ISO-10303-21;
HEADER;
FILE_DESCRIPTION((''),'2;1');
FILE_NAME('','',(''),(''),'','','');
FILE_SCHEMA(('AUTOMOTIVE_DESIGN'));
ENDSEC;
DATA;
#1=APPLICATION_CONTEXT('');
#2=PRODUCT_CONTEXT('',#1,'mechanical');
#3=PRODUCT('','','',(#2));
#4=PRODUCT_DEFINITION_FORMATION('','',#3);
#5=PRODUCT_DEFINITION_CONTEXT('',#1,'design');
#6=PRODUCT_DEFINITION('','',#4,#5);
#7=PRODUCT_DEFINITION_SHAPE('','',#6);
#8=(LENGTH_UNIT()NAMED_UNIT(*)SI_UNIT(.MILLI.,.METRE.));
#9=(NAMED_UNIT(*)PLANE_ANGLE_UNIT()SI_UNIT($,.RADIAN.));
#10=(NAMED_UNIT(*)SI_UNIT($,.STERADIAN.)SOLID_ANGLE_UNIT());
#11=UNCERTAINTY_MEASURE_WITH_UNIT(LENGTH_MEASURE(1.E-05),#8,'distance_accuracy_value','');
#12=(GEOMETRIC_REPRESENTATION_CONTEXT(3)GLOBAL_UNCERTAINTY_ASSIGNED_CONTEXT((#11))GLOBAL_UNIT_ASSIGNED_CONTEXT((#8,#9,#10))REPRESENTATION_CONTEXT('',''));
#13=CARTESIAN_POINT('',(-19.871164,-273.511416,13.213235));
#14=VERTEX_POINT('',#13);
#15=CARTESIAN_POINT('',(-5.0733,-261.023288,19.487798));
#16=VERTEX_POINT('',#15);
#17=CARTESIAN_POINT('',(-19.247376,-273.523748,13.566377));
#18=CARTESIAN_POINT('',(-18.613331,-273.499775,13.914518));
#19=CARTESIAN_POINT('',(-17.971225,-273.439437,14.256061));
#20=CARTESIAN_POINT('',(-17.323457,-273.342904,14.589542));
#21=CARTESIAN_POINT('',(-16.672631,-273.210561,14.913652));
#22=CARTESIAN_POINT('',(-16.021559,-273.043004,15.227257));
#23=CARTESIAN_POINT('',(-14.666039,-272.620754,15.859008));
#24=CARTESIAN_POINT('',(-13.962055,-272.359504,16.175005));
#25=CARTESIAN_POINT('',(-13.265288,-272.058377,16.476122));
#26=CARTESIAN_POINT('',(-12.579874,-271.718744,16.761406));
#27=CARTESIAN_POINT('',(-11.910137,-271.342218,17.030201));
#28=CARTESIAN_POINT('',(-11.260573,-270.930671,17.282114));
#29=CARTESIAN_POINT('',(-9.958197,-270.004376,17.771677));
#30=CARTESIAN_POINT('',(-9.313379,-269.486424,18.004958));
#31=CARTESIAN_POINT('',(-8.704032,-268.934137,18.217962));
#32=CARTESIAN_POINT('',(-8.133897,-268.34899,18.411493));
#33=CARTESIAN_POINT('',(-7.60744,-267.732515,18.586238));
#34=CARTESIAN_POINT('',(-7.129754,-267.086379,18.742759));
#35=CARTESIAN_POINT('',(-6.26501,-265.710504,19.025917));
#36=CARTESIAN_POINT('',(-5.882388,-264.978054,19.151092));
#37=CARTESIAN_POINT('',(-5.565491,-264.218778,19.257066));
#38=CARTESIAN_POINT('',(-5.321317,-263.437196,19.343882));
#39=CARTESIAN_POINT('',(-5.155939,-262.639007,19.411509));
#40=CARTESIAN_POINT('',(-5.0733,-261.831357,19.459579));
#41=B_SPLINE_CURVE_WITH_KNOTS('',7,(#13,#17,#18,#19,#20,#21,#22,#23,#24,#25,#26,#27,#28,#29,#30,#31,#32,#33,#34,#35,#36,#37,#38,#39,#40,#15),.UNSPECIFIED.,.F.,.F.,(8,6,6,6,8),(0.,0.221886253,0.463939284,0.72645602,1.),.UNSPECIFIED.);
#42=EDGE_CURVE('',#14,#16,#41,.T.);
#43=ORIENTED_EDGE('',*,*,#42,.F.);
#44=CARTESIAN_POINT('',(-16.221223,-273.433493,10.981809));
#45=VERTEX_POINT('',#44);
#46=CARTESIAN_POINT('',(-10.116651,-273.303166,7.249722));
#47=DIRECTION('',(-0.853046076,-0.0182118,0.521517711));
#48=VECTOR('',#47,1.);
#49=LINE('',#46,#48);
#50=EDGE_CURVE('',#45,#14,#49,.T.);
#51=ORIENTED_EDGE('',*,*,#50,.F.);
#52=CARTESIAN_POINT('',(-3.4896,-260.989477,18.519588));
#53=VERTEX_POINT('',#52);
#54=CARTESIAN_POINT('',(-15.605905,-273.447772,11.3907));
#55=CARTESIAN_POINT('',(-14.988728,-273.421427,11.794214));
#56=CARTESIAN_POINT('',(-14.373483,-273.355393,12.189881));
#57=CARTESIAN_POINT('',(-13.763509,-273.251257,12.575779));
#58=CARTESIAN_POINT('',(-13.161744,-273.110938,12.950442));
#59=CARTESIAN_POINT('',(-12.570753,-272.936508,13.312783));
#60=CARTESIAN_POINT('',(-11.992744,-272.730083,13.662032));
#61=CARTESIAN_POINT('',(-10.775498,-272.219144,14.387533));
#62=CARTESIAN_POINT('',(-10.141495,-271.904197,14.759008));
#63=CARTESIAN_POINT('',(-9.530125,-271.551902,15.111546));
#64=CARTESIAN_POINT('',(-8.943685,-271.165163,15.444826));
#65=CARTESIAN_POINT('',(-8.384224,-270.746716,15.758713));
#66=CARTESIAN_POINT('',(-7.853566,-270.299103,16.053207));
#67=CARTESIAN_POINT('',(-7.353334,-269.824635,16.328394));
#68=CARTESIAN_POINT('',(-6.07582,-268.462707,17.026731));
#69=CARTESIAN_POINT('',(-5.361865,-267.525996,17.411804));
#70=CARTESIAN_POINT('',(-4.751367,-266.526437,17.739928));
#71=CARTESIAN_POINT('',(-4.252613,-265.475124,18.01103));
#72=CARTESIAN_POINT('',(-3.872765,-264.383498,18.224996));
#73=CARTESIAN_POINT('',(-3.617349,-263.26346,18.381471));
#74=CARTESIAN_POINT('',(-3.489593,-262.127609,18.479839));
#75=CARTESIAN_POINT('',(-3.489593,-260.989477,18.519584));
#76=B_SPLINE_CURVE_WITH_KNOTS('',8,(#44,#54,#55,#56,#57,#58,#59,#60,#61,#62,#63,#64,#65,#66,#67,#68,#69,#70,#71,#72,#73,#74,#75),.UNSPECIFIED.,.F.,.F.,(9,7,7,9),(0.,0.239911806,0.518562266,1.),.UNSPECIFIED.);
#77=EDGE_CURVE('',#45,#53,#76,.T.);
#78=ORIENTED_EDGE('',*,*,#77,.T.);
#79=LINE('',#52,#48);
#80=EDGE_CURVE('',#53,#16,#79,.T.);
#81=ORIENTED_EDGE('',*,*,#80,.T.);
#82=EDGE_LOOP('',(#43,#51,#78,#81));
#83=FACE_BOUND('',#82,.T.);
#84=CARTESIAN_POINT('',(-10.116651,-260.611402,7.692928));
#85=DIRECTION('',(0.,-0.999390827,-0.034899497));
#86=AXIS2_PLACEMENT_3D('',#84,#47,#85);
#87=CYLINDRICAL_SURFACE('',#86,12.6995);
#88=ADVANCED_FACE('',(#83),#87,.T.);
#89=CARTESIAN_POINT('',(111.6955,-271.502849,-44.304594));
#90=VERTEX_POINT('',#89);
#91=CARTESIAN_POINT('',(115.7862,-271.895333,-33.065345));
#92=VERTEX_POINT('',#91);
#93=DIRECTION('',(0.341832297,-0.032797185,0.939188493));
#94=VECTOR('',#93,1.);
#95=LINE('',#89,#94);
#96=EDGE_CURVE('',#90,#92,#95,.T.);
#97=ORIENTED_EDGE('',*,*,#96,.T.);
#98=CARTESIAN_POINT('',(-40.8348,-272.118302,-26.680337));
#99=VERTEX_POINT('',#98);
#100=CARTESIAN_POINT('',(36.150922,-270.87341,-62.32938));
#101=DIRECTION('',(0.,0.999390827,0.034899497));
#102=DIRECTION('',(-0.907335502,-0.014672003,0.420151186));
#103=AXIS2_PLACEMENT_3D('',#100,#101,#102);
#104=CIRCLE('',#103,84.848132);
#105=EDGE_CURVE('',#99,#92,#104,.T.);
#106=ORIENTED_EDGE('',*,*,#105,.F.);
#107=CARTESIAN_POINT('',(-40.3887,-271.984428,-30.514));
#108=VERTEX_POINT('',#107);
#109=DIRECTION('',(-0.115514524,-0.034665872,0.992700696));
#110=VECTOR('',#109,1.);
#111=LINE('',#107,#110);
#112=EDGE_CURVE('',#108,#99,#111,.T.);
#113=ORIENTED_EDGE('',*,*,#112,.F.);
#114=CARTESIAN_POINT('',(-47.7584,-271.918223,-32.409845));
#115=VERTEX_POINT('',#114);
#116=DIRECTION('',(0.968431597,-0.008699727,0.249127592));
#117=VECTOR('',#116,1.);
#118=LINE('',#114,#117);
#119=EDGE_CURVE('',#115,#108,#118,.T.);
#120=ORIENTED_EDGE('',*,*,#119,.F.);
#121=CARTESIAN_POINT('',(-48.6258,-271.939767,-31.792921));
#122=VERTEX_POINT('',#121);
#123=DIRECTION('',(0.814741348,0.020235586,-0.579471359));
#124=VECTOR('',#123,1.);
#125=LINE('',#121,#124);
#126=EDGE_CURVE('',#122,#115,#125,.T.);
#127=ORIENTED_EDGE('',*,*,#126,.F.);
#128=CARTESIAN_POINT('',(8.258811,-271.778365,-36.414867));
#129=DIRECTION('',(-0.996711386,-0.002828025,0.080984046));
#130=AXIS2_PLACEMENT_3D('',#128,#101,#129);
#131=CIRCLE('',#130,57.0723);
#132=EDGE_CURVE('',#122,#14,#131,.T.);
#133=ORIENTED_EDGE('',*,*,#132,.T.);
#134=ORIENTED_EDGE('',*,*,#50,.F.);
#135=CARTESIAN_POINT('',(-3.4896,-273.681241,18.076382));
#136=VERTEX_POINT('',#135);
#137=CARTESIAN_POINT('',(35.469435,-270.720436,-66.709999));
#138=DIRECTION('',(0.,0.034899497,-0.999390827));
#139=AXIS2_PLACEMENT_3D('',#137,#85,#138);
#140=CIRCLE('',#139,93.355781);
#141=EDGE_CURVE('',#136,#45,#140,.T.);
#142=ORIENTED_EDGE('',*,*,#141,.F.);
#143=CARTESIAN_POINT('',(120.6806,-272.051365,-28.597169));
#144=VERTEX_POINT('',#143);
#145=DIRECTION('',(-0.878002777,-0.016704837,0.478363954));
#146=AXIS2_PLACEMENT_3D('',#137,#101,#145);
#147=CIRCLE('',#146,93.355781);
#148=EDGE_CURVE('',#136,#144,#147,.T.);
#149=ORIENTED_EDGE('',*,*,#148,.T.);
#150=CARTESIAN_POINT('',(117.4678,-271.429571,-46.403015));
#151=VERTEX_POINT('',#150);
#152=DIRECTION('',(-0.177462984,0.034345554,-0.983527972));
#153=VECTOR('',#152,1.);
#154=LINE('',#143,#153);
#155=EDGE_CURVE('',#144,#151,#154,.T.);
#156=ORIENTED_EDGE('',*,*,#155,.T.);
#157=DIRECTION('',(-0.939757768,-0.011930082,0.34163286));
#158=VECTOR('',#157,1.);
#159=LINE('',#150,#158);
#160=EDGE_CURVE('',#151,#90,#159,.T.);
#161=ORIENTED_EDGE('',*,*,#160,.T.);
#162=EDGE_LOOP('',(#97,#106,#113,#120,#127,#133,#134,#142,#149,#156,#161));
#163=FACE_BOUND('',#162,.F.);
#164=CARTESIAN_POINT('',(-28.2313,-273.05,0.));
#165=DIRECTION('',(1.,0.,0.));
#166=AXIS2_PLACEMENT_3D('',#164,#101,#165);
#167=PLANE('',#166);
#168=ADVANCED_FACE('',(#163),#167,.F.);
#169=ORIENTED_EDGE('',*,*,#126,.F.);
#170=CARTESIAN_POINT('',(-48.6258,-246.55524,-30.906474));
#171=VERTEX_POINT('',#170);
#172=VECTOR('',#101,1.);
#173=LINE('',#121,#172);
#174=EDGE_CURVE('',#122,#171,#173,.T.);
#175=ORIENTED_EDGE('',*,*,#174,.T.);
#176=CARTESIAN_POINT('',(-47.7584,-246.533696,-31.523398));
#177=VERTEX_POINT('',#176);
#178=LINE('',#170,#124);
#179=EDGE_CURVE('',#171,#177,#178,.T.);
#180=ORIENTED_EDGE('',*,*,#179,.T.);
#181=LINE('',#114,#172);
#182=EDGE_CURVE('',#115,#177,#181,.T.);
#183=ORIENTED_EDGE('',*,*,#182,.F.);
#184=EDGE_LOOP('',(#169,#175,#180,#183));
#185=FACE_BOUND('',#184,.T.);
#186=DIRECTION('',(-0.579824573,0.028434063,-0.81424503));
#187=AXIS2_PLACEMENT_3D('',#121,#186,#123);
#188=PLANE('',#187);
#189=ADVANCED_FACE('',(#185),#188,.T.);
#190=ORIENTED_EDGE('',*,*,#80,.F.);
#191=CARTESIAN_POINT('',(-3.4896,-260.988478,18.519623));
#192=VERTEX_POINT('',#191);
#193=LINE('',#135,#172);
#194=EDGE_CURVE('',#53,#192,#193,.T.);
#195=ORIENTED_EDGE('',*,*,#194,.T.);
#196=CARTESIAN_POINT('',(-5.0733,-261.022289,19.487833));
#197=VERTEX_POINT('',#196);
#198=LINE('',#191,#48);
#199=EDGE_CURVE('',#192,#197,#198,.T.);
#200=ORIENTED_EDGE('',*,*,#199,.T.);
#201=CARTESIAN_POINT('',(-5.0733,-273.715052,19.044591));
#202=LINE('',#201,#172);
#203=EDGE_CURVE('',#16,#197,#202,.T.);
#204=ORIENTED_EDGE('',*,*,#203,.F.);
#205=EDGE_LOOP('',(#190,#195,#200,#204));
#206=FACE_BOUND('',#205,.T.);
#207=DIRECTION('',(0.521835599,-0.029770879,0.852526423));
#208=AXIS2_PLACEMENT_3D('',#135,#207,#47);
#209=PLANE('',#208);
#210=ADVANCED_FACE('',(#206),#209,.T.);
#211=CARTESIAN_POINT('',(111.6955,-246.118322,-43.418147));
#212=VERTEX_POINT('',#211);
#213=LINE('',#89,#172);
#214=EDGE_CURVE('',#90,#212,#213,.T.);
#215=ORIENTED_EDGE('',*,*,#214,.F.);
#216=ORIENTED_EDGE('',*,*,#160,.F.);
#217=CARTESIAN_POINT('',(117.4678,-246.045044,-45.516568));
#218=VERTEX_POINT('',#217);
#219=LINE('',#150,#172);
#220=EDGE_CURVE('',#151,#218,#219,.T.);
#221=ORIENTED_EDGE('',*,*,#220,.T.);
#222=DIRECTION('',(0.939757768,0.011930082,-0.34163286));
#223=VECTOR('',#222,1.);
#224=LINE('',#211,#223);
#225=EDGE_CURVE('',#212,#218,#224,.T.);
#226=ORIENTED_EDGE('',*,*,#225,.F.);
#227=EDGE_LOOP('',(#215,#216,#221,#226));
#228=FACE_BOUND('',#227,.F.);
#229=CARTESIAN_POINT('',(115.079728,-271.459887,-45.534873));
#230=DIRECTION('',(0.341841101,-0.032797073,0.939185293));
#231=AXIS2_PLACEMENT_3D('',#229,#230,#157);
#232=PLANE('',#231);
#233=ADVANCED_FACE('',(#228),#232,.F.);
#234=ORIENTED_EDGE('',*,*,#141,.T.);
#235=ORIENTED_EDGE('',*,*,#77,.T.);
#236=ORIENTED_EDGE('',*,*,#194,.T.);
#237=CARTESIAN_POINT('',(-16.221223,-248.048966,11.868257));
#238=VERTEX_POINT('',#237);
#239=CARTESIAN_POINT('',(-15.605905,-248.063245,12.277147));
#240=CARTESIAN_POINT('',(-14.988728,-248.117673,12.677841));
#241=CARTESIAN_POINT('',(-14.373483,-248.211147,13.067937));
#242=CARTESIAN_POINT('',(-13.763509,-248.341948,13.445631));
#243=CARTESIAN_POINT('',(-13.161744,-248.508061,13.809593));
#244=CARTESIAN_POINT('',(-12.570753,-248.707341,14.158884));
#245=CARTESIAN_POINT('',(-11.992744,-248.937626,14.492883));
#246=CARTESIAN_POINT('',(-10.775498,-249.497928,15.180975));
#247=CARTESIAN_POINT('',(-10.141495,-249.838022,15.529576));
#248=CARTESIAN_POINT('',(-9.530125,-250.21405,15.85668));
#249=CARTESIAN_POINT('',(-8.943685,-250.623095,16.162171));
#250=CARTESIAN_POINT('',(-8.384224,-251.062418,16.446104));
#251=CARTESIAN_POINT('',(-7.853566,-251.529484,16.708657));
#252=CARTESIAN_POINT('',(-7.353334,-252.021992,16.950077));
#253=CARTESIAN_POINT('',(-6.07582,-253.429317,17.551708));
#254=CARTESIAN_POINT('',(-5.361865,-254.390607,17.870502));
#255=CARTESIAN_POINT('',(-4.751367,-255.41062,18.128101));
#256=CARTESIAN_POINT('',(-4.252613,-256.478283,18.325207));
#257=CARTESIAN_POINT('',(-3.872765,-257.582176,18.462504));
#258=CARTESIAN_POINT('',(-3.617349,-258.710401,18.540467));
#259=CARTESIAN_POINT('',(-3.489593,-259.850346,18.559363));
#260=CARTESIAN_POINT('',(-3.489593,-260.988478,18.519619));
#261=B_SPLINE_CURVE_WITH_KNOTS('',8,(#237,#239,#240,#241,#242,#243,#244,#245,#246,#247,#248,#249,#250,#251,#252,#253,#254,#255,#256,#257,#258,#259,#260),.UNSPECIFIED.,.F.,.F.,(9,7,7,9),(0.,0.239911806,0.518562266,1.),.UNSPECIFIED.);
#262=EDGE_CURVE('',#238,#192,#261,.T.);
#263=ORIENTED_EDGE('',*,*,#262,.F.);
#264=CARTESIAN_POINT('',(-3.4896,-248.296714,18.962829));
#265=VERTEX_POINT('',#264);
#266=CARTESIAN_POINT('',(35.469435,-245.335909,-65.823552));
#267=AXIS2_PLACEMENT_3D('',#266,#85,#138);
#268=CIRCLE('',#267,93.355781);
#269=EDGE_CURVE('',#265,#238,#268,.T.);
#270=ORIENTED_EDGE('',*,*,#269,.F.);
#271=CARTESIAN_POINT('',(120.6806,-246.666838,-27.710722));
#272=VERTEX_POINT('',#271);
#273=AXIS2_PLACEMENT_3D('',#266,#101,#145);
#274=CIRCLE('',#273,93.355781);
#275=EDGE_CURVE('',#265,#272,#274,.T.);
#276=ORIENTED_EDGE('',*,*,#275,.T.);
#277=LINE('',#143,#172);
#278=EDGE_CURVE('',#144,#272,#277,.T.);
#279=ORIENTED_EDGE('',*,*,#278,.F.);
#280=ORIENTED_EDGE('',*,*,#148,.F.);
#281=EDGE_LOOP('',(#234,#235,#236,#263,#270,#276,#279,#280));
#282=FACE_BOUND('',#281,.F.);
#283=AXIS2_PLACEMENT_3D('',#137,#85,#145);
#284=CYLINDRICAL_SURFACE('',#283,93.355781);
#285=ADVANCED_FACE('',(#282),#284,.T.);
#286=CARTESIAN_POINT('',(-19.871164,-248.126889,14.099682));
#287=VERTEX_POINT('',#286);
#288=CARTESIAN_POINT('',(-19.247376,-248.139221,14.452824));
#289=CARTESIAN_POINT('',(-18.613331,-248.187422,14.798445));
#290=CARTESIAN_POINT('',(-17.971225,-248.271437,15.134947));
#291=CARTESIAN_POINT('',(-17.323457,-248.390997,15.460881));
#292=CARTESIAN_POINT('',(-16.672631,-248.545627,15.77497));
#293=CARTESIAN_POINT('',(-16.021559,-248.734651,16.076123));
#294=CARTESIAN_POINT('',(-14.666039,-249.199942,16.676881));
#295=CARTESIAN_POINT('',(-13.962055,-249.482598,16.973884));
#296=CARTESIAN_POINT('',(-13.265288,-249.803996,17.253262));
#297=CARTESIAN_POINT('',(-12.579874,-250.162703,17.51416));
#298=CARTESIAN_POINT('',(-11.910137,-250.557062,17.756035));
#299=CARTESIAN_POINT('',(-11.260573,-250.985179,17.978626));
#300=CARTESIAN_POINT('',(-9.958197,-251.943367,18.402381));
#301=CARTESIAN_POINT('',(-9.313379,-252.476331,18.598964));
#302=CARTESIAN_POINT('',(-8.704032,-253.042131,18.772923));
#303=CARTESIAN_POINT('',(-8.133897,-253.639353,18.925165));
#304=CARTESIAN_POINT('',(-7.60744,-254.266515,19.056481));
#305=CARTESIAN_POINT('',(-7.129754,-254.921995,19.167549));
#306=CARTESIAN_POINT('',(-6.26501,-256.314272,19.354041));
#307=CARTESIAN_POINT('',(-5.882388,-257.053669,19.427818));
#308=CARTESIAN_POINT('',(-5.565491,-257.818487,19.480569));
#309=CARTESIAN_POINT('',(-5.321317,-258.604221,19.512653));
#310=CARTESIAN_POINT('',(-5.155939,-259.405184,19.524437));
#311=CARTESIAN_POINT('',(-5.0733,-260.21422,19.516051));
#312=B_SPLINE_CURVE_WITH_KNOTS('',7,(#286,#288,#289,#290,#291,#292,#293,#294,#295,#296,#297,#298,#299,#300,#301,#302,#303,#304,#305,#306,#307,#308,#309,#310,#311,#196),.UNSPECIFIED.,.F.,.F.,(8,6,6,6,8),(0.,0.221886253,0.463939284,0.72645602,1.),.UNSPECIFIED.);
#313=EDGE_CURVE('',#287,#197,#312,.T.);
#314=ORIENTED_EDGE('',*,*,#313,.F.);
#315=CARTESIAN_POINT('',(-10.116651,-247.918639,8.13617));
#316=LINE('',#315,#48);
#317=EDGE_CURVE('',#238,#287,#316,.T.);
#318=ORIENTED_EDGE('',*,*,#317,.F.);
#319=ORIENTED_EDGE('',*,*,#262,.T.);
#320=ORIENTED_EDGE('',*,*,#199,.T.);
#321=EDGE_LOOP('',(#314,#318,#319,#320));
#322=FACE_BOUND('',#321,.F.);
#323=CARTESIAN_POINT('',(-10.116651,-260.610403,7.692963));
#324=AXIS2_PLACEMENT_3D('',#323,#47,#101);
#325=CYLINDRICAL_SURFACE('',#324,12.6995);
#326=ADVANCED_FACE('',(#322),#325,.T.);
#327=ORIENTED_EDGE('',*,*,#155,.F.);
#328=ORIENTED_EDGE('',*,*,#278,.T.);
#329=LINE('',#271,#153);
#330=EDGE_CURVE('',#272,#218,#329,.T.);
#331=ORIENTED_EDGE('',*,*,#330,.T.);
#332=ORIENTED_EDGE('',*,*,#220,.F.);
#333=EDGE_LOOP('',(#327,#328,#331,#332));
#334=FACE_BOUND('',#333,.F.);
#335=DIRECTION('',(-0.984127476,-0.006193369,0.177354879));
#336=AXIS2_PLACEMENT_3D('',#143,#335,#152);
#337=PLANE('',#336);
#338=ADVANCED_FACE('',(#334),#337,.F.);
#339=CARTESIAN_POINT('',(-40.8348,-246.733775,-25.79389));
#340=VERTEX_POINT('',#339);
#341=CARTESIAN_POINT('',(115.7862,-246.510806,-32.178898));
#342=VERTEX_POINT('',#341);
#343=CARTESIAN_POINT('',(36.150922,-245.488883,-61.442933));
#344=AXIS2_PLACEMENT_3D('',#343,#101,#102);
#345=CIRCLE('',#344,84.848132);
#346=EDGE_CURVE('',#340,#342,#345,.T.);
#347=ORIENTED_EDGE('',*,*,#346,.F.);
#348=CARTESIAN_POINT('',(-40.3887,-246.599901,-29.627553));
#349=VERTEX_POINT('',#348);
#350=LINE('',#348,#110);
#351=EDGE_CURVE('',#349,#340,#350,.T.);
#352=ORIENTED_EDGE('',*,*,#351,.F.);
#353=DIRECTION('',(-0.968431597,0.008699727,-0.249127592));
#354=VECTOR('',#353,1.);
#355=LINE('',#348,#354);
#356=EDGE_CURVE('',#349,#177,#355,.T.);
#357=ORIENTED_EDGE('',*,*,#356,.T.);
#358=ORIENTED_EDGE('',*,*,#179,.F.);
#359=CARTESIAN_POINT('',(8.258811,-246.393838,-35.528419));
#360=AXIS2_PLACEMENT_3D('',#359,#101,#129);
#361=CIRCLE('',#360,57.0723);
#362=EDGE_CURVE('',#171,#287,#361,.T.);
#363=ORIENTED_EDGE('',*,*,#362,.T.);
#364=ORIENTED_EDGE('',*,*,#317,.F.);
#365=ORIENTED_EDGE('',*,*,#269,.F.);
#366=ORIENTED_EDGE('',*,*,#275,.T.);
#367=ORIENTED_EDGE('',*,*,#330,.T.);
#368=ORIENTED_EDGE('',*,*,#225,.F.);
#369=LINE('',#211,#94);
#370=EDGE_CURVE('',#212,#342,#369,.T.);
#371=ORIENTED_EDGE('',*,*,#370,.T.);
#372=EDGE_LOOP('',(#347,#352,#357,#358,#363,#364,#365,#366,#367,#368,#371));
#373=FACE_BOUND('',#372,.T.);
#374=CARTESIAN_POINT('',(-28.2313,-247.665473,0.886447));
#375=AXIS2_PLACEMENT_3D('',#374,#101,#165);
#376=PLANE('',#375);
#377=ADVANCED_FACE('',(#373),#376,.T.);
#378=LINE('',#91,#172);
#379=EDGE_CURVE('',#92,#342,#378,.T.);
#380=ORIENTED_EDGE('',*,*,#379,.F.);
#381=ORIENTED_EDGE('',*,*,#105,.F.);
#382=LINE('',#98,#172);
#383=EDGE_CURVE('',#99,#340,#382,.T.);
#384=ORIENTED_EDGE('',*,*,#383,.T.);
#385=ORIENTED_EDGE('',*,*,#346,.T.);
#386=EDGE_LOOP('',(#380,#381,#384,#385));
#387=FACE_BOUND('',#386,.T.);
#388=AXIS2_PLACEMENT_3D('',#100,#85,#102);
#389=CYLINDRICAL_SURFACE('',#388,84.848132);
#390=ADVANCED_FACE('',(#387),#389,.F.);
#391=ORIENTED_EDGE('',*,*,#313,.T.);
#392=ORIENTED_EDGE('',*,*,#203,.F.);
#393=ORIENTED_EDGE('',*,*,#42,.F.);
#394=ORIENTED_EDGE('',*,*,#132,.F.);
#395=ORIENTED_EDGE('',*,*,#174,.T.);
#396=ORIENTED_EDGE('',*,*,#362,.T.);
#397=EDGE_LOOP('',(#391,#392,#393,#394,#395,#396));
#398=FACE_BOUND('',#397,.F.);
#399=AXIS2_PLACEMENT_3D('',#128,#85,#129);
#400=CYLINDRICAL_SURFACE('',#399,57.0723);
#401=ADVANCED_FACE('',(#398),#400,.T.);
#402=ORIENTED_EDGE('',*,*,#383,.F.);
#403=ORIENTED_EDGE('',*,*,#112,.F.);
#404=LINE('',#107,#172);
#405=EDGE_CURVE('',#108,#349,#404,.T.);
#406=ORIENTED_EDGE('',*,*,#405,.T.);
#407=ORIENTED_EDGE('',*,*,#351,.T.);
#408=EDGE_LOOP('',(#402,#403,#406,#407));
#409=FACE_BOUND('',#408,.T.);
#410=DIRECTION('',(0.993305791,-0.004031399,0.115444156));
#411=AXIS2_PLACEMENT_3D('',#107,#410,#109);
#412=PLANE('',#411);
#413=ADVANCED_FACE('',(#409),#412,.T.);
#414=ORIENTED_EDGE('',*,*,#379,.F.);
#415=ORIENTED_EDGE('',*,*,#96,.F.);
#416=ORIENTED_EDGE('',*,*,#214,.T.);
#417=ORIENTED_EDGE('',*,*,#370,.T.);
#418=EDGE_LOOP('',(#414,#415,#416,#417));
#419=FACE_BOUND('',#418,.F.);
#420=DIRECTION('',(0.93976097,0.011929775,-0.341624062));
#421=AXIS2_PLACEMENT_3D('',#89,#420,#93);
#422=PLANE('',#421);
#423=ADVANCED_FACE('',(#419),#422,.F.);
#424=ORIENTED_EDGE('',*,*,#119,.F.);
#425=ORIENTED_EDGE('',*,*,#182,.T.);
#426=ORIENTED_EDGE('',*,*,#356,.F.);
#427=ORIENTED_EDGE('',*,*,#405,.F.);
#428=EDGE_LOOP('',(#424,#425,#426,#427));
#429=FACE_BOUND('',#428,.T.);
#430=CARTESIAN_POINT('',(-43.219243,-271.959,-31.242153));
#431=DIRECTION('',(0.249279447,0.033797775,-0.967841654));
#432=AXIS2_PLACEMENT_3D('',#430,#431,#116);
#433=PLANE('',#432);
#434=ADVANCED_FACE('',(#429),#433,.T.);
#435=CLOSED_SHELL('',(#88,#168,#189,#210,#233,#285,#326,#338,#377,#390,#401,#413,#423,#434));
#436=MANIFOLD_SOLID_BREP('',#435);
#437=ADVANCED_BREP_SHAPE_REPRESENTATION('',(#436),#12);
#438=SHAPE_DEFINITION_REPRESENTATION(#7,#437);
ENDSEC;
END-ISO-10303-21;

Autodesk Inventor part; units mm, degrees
ref_plane "YZ Plane" through (0, 0, 0) normal (1, 0, 0) x (0, 1, 0)
ref_plane "XY Plane" through (0, 0, 0) normal (0, 0, 1) x (1, 0, 0)
ref_plane "Work Plane1" through (0, -273.05, 0) normal (0, 1, 0) x (-1, 0, 0)
sketch "Sketch1" plane through (0, -273.05, 0) normal (0, 1, 0) x (-1, 0, 0)
  line L0 (28.2313, 0) -> (-81.8149, 0)
  point P0 (0, 0)
ref_plane "Work Plane2" through (-28.2313, -273.05, 0) normal (0, 0.9994, 0.0349) x (1, 0, 0)
sketch "Sketch2" plane through (-28.2313, -273.05, 0) normal (0, 0.9994, 0.0349) x (1, 0, 0)
  ellipse E0 centre (142.9444, 40.4167) end of major axis (127.2199, 83.6456) minor radius 0.5491 (135.3201, 59.9472) -> (144.2427, 35.2519) ccw projected
  ellipse E1 centre (145.4346, 41.3225) end of major axis (129.7101, 84.5514) minor radius 0.5491 (137.8103, 60.853) -> (146.7329, 36.1577) ccw projected
  line L0 (144.2427, 35.2519) -> (146.7329, 36.1577) projected
  ellipse E2 centre (-15.3961, 31.7454) end of major axis (-31.1205, -11.4836) minor radius 0.5491 (-17.0369, 25.6432) -> (-8.0746, 50.4278) ccw projected
  line L1 (-17.0369, 25.6432) -> (-19.5271, 26.549) projected
  ellipse E3 centre (-17.8862, 32.6512) end of major axis (-33.6107, -10.5778) minor radius 0.5491 (-19.5271, 26.549) -> (-10.5647, 51.3336) ccw projected
  line L2 (-19.5271, 32.4296) -> (-18.2659, 22.0654)
  arc A0 (-18.2659, 22.0654) -> (148.9119, 28.6146) centre (63.7007, 66.7506) ccw
  line L3 (148.9119, 28.6146) -> (145.6991, 46.4313)
  line L4 (145.6991, 46.4313) -> (139.9268, 44.3316)
  line L5 (139.9268, 44.3316) -> (144.0175, 33.0855)
  line L6 (-19.5271, 32.4296) -> (-12.1574, 30.5326)
  line L7 (-12.1574, 30.5326) -> (-12.6035, 26.6966)
  arc A1 (-12.6035, 26.6966) -> (144.0175, 33.0855) centre (64.3823, 62.3675) ccw
  line L8 (24.7417, -18.0874) -> (23.158, -19.0562)
  arc A2 (-20.3945, 31.8123) -> (23.158, -19.0562) centre (36.4902, 36.4371) ccw
  line L9 (-20.3945, 31.8123) -> (-19.5271, 32.4296)
  point P0 (28.2313, 9.5293)
  point P1 (-19.007, 27.8025)
  point P2 (140.8209, 44.6568)
  point P3 (-14.9879, 31.2612)
  point P4 (-17.0369, 25.6432)
  point P5 (-18.7784, 26.2767)
  point P6 (143.311, 45.5626)
  point P7 (-19.5271, 26.549)
  point P8 (-18.9903, 28.0182)
extrude "Extrusion1" add sketch "Sketch2" along normal blind 25.4
fillet "Fillet1" radius 12.7 2 edges at (-4.2815, -248.3136, 19.4469) (-4.2815, -273.6981, 18.5605)
properties part number "thigh_strap_05"
